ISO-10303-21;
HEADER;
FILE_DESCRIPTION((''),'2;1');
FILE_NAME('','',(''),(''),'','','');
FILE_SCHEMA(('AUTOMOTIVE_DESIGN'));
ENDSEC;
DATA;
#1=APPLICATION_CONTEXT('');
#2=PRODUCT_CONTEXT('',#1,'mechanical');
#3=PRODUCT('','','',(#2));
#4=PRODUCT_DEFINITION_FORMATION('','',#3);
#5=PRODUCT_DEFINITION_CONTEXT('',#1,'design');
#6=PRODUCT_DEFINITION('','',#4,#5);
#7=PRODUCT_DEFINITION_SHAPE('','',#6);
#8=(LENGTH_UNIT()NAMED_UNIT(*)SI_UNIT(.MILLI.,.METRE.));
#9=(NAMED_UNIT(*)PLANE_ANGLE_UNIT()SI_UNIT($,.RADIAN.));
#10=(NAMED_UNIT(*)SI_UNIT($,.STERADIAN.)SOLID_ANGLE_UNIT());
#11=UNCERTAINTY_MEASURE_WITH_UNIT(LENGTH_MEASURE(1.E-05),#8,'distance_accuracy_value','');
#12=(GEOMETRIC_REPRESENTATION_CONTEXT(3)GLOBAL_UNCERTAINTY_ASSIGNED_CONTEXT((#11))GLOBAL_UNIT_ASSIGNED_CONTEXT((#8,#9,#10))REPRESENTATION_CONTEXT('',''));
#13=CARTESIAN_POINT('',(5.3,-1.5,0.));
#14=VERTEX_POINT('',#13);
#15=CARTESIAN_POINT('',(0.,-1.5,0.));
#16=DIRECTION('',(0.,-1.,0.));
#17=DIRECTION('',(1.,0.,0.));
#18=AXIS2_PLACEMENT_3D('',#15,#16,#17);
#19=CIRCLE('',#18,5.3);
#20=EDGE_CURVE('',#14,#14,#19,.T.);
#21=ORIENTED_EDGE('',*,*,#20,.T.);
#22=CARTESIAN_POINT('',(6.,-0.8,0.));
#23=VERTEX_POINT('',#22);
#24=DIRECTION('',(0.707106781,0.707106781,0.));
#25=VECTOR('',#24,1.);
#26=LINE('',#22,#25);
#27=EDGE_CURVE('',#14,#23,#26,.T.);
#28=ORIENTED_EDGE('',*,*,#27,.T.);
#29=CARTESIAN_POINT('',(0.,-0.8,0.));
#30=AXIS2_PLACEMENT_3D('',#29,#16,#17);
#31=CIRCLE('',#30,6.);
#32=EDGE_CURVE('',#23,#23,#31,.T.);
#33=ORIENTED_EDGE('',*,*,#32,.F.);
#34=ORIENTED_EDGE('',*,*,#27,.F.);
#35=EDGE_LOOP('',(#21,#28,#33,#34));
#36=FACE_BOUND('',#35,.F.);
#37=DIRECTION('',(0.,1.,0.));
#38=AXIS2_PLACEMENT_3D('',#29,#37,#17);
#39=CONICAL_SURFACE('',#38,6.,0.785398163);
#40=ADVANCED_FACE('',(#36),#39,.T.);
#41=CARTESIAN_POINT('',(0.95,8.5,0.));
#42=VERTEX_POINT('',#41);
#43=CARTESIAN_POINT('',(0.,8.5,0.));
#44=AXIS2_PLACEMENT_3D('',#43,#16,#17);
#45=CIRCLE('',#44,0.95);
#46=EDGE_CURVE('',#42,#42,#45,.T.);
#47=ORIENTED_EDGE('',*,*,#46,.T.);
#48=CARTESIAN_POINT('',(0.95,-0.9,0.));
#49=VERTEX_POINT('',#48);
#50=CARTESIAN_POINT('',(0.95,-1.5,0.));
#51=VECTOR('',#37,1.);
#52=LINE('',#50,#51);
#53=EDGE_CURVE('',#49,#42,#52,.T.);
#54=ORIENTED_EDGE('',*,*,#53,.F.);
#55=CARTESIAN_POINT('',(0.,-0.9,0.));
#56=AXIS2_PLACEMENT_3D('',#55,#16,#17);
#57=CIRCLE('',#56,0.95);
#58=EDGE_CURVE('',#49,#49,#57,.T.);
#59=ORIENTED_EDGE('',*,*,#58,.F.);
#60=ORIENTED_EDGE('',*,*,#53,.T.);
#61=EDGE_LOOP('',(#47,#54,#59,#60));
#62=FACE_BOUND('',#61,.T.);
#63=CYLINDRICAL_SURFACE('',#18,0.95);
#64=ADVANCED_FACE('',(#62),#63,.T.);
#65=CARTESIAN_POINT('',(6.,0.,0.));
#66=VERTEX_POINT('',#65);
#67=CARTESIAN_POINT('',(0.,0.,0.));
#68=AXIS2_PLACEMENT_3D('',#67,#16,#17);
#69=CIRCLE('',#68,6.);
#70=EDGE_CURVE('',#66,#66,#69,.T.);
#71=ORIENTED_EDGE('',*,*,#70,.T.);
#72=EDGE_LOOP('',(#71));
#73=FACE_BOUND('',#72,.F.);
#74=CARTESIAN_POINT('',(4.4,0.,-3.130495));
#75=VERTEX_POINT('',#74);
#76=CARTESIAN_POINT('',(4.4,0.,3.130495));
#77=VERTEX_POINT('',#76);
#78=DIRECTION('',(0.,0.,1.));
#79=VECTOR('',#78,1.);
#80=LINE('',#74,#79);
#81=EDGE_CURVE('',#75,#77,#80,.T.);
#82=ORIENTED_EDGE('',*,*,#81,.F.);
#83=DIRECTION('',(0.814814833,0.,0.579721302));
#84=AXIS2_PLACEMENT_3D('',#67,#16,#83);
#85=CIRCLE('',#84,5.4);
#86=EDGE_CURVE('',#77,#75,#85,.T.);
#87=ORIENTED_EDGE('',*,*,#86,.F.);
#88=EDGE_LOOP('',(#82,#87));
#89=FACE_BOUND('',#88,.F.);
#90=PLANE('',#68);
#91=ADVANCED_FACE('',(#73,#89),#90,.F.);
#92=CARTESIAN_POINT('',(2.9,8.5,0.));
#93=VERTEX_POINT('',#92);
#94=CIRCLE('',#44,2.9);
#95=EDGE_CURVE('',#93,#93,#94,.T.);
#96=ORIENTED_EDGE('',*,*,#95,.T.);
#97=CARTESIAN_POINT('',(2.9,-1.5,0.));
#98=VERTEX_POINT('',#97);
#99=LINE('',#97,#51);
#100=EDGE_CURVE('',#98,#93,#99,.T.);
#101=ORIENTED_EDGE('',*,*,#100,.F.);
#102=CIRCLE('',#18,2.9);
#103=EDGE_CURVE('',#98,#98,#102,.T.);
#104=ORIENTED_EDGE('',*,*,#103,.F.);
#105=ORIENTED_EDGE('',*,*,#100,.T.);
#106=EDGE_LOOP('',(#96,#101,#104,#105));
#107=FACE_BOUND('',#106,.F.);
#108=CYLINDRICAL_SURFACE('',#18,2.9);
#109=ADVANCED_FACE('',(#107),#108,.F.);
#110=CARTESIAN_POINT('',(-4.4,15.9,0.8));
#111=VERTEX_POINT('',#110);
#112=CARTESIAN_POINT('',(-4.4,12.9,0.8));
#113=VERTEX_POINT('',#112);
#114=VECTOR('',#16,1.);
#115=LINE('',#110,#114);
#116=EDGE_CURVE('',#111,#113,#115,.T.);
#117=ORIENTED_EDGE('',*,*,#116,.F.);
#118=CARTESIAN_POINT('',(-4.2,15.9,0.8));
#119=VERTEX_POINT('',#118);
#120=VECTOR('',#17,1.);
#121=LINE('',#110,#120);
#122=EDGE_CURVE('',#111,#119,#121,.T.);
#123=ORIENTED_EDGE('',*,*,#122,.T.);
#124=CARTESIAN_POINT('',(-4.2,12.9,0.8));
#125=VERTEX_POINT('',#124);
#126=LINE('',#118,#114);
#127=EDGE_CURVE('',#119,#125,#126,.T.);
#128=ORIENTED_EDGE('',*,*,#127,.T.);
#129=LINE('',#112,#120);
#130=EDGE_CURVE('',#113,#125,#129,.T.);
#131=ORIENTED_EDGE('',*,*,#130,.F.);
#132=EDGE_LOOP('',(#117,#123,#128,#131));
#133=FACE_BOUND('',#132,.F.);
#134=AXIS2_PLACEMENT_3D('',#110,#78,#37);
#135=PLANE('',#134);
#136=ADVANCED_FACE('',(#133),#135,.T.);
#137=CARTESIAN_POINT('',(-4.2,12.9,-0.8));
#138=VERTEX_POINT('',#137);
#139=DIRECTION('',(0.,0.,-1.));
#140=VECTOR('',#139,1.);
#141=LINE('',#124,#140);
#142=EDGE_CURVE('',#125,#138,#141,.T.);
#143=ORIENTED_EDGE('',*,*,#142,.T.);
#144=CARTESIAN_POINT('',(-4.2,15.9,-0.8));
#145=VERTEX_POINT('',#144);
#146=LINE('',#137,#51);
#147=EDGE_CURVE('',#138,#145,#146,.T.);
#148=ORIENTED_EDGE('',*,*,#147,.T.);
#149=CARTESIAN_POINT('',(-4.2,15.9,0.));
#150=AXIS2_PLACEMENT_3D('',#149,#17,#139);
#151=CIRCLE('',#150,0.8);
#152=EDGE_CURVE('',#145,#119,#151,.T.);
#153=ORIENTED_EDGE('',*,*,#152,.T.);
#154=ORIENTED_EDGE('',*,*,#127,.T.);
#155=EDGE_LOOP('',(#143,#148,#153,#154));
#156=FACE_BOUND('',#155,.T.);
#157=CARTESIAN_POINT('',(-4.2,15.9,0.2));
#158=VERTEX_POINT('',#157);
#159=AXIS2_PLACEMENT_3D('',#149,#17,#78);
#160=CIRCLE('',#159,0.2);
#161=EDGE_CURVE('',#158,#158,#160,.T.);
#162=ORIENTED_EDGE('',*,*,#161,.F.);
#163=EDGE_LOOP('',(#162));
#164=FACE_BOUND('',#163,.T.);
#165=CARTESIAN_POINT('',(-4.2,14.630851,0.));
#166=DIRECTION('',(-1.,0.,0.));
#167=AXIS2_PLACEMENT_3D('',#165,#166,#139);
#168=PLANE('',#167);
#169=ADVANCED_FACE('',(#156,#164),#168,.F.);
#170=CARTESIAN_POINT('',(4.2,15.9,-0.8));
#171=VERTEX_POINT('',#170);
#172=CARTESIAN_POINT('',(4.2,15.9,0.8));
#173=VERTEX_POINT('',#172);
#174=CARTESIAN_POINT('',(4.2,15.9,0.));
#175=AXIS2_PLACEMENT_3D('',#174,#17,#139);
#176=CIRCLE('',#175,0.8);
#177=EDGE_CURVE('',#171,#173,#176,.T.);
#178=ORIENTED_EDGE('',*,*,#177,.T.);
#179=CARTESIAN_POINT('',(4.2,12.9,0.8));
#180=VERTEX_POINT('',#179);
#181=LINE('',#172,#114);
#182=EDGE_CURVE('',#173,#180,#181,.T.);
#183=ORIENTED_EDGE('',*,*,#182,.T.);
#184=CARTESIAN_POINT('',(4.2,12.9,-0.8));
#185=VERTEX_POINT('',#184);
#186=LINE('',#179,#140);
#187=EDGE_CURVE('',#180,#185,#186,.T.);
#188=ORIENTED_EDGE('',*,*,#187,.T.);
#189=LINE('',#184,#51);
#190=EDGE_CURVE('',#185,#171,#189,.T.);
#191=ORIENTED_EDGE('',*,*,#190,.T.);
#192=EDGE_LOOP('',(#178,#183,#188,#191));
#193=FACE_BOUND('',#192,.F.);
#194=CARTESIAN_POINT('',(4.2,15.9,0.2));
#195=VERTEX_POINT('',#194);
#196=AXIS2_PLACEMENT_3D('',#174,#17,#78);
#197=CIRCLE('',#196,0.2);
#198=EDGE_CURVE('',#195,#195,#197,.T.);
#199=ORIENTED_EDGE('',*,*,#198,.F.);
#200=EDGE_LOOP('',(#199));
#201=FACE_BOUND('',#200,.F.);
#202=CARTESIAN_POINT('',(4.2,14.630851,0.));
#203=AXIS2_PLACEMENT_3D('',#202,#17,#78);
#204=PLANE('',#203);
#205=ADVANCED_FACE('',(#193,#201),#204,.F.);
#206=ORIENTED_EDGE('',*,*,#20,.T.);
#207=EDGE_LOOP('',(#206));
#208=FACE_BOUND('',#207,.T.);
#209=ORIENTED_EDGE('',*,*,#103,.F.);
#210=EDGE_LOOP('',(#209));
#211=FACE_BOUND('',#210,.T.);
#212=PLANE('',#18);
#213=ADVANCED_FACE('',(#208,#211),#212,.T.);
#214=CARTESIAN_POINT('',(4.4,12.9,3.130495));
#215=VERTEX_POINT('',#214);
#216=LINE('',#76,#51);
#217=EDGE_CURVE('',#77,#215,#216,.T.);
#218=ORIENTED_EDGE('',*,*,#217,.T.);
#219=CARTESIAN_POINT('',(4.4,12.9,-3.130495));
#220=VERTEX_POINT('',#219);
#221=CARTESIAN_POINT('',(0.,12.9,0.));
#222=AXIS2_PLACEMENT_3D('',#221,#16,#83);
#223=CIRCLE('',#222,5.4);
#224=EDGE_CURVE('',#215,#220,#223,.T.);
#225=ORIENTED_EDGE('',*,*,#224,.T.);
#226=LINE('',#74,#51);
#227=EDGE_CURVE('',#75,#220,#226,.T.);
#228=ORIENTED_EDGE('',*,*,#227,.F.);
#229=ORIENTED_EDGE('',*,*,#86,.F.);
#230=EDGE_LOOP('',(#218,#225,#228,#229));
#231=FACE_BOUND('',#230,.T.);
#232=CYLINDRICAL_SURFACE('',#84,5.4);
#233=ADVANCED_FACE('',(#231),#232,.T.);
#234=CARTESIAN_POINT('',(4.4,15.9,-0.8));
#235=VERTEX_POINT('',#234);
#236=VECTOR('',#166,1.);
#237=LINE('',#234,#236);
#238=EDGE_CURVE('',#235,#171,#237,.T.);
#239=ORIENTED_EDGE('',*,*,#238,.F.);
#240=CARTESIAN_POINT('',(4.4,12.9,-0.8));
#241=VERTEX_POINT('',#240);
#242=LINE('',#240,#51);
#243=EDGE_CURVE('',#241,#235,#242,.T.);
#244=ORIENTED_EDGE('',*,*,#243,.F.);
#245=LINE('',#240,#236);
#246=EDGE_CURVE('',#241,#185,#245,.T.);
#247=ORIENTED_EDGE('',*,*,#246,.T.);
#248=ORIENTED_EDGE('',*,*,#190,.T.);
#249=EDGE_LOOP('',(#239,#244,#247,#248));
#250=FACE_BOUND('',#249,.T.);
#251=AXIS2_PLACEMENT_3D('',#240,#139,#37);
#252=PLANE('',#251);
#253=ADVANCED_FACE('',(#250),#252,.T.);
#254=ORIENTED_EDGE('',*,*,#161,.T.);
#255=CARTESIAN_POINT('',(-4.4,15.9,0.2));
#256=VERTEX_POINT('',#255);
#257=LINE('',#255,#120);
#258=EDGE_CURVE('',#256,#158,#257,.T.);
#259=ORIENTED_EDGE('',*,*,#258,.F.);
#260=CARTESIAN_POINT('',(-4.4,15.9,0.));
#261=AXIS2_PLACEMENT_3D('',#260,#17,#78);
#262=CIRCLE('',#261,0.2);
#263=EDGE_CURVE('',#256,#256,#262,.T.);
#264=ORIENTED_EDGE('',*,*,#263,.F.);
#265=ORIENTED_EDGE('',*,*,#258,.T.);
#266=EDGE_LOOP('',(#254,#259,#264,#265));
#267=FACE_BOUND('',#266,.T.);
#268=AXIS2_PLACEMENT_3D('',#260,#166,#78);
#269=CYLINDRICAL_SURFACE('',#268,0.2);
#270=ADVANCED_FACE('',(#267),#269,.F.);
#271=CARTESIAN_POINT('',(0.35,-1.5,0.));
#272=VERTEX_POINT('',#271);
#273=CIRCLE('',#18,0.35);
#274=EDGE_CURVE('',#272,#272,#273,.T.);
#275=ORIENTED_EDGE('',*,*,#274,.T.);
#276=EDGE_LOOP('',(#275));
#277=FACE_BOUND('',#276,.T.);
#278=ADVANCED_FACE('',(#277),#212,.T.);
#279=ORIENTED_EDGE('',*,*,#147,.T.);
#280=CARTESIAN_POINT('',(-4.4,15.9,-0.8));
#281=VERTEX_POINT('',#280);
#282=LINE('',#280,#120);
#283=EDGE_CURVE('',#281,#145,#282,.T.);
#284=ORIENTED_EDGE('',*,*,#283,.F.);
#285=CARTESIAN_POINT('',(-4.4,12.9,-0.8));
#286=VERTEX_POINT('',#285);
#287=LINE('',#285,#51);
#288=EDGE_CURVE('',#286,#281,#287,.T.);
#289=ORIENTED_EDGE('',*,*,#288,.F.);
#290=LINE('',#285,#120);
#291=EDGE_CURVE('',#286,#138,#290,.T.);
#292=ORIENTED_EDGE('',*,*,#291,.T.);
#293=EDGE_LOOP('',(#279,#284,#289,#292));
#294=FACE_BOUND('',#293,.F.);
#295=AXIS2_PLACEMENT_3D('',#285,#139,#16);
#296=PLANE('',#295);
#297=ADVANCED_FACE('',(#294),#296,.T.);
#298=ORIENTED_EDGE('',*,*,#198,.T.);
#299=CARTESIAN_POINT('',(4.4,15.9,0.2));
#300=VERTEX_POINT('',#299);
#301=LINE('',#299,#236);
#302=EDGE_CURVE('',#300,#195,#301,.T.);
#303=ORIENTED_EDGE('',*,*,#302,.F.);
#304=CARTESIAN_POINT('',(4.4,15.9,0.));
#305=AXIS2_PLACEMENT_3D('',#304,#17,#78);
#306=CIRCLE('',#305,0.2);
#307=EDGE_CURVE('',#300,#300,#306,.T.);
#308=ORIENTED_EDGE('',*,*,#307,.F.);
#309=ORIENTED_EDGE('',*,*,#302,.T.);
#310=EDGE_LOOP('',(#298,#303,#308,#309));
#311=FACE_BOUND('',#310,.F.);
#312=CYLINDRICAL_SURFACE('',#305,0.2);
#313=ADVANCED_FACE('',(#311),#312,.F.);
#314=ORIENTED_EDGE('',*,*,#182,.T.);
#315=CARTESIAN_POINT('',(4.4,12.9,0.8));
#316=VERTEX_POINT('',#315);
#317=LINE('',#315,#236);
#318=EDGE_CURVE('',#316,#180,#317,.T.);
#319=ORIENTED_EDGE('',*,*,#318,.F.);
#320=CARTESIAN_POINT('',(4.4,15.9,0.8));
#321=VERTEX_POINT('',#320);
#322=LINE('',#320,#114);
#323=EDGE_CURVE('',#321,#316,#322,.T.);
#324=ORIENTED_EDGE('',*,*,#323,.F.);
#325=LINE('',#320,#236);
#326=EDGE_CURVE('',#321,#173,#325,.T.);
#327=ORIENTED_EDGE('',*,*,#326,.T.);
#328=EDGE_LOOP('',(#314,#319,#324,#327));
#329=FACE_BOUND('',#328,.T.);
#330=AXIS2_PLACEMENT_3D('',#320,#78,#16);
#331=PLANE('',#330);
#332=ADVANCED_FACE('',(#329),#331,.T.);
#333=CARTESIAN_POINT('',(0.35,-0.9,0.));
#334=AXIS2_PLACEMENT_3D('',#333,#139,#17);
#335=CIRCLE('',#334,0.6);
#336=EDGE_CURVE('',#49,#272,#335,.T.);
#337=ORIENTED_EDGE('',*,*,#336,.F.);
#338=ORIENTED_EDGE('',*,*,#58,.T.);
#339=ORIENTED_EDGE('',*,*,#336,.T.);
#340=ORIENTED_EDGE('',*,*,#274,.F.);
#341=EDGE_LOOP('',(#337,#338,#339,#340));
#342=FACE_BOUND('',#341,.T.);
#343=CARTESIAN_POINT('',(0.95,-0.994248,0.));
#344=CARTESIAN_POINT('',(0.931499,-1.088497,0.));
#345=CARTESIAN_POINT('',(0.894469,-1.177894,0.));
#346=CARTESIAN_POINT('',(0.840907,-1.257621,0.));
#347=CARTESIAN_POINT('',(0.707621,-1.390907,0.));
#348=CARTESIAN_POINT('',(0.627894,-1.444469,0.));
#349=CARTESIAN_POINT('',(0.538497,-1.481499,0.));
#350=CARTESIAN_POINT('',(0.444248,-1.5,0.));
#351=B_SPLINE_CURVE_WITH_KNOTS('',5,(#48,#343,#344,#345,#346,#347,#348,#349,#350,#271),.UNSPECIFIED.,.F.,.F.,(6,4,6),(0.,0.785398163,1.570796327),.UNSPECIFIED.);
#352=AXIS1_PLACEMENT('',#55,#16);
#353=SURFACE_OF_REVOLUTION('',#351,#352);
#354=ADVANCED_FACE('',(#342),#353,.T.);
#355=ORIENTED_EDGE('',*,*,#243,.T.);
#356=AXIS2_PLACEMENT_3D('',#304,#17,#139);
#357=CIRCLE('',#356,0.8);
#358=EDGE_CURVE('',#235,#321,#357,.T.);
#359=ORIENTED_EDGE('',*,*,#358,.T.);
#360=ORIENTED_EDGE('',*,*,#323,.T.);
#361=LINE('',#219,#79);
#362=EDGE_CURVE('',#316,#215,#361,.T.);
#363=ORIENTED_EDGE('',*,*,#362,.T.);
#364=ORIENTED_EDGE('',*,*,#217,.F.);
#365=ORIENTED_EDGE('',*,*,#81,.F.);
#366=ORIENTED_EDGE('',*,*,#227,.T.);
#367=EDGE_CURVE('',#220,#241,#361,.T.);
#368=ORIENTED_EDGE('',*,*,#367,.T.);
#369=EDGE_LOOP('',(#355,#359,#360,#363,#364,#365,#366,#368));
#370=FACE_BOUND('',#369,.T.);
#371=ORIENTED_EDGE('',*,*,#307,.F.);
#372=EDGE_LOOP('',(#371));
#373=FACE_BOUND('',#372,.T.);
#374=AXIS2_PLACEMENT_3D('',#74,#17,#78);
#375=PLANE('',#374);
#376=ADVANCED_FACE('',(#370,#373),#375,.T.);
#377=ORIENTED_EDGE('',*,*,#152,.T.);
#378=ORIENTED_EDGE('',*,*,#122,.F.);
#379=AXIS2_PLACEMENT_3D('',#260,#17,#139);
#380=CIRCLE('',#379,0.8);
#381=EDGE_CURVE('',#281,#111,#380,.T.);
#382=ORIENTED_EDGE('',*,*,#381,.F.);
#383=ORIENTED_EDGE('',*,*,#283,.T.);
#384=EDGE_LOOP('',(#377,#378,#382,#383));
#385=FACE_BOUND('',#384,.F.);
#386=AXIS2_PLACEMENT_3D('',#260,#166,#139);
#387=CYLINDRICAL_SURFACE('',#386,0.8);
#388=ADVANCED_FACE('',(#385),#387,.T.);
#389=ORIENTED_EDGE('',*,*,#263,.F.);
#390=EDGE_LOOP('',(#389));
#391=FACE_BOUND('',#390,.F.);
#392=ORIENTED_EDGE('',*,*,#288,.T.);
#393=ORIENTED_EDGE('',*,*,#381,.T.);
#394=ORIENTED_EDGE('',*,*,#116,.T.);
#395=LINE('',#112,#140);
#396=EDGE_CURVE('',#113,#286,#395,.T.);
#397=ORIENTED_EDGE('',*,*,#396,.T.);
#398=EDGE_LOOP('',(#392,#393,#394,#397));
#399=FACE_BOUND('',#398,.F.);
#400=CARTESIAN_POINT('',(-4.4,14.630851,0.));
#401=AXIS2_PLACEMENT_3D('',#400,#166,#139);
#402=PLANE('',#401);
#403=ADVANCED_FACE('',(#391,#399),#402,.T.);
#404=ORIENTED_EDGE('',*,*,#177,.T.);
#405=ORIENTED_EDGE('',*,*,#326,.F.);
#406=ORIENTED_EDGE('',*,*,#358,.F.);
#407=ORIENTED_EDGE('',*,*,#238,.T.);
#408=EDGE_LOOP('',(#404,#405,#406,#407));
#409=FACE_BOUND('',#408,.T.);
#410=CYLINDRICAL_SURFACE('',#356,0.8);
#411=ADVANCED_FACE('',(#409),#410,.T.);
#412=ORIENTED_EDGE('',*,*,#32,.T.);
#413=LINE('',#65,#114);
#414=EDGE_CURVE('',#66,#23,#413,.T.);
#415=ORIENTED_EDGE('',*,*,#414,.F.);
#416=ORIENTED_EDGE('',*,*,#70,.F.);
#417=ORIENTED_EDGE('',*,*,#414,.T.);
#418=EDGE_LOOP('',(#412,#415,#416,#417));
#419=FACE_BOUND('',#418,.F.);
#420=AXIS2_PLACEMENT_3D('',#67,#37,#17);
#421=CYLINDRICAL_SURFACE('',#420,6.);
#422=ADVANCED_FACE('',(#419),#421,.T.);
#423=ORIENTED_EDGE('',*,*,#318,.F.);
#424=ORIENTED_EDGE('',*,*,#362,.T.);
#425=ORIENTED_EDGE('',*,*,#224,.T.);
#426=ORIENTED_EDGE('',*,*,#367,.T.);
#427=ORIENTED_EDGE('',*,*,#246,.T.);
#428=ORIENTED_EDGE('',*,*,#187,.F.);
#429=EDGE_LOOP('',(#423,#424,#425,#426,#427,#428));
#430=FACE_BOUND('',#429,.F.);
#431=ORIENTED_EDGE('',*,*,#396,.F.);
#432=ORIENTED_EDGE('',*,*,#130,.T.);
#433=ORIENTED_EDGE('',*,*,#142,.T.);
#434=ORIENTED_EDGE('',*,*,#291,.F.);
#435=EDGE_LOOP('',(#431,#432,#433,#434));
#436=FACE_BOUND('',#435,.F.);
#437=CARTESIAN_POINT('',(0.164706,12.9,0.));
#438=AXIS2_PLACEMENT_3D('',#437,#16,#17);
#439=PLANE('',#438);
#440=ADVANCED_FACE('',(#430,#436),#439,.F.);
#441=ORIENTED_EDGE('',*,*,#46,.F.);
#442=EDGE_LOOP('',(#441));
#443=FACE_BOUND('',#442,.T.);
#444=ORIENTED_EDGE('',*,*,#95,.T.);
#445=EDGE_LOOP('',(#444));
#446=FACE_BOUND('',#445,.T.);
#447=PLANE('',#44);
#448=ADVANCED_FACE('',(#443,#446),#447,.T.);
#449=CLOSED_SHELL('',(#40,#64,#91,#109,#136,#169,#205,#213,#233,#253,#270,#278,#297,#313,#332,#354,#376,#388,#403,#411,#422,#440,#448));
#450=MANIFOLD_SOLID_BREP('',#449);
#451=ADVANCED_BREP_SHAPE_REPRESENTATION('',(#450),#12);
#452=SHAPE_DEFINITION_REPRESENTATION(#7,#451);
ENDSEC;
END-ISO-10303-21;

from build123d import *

# Parameters (mm, degrees)
PAD_DEPTH     = 12.9
SKETCH001_R   = 6
PAD001_DEPTH  = 1.5
SKETCH002_R   = 2.9
SKETCH002_R_2 = 0.95
POCKET_DEPTH  = 10
FILLET_R      = 0.6
CHAMFER_SIZE  = 0.7
SKETCH003_R   = 0.2
PAD002_DEPTH  = 0.2


with BuildPart() as part:
    # Sketch → Pad (new body)
    with BuildSketch(Plane.XZ):
        with BuildLine():
            Line((4.4, -3.130495), (4.4, 3.130495))
            ThreePointArc((4.4, 3.130495), (-5.4, 0), (4.4, -3.130495))
        make_face()
    extrude(amount=-PAD_DEPTH)

    # Sketch001 (on Face3 of Pad) → Pad001 (join)
    with BuildSketch(Plane.XZ):
        Circle(SKETCH001_R)
    extrude(amount=PAD001_DEPTH)

    # Sketch002 (on Face3 of Pad001) → Pocket (cut)
    with BuildSketch(Plane.XZ.offset(1.5)):
        Circle(SKETCH002_R)
        Circle(SKETCH002_R_2, mode=Mode.SUBTRACT)
    extrude(amount=-POCKET_DEPTH, mode=Mode.SUBTRACT)

    # Fillet
    fillet_edges = [part.edges().sort_by_distance(p)[0] for p in [
        (-0.95, -1.5, 0),
    ]]
    fillet(fillet_edges, radius=FILLET_R)

    # Chamfer
    chamfer_edges = [part.edges().sort_by_distance(p)[0] for p in [
        (-6, -1.5, 0),
    ]]
    chamfer(chamfer_edges, length=CHAMFER_SIZE)

    # Sketch003 (on Face8 of Chamfer) → Pad002 (join)
    with BuildSketch(Plane(origin=(4.4, 0, 0), x_dir=(0, 0, 1), z_dir=(1, 0, 0))):
        with BuildLine():
            Line((0.8, -12.9), (-0.8, -12.9))
            Line((-0.8, -12.9), (-0.8, -15.9))
            ThreePointArc((-0.8, -15.9), (0, -16.7), (0.8, -15.9))
            Line((0.8, -15.9), (0.8, -12.9))
        make_face()
        with Locations((0, -15.9)):
            Circle(SKETCH003_R, mode=Mode.SUBTRACT)
    pad002 = extrude(amount=-PAD002_DEPTH)

    # Mirrored: Pad002 across YZ
    add(pad002.mirror(Plane.YZ))


solid = part.part
